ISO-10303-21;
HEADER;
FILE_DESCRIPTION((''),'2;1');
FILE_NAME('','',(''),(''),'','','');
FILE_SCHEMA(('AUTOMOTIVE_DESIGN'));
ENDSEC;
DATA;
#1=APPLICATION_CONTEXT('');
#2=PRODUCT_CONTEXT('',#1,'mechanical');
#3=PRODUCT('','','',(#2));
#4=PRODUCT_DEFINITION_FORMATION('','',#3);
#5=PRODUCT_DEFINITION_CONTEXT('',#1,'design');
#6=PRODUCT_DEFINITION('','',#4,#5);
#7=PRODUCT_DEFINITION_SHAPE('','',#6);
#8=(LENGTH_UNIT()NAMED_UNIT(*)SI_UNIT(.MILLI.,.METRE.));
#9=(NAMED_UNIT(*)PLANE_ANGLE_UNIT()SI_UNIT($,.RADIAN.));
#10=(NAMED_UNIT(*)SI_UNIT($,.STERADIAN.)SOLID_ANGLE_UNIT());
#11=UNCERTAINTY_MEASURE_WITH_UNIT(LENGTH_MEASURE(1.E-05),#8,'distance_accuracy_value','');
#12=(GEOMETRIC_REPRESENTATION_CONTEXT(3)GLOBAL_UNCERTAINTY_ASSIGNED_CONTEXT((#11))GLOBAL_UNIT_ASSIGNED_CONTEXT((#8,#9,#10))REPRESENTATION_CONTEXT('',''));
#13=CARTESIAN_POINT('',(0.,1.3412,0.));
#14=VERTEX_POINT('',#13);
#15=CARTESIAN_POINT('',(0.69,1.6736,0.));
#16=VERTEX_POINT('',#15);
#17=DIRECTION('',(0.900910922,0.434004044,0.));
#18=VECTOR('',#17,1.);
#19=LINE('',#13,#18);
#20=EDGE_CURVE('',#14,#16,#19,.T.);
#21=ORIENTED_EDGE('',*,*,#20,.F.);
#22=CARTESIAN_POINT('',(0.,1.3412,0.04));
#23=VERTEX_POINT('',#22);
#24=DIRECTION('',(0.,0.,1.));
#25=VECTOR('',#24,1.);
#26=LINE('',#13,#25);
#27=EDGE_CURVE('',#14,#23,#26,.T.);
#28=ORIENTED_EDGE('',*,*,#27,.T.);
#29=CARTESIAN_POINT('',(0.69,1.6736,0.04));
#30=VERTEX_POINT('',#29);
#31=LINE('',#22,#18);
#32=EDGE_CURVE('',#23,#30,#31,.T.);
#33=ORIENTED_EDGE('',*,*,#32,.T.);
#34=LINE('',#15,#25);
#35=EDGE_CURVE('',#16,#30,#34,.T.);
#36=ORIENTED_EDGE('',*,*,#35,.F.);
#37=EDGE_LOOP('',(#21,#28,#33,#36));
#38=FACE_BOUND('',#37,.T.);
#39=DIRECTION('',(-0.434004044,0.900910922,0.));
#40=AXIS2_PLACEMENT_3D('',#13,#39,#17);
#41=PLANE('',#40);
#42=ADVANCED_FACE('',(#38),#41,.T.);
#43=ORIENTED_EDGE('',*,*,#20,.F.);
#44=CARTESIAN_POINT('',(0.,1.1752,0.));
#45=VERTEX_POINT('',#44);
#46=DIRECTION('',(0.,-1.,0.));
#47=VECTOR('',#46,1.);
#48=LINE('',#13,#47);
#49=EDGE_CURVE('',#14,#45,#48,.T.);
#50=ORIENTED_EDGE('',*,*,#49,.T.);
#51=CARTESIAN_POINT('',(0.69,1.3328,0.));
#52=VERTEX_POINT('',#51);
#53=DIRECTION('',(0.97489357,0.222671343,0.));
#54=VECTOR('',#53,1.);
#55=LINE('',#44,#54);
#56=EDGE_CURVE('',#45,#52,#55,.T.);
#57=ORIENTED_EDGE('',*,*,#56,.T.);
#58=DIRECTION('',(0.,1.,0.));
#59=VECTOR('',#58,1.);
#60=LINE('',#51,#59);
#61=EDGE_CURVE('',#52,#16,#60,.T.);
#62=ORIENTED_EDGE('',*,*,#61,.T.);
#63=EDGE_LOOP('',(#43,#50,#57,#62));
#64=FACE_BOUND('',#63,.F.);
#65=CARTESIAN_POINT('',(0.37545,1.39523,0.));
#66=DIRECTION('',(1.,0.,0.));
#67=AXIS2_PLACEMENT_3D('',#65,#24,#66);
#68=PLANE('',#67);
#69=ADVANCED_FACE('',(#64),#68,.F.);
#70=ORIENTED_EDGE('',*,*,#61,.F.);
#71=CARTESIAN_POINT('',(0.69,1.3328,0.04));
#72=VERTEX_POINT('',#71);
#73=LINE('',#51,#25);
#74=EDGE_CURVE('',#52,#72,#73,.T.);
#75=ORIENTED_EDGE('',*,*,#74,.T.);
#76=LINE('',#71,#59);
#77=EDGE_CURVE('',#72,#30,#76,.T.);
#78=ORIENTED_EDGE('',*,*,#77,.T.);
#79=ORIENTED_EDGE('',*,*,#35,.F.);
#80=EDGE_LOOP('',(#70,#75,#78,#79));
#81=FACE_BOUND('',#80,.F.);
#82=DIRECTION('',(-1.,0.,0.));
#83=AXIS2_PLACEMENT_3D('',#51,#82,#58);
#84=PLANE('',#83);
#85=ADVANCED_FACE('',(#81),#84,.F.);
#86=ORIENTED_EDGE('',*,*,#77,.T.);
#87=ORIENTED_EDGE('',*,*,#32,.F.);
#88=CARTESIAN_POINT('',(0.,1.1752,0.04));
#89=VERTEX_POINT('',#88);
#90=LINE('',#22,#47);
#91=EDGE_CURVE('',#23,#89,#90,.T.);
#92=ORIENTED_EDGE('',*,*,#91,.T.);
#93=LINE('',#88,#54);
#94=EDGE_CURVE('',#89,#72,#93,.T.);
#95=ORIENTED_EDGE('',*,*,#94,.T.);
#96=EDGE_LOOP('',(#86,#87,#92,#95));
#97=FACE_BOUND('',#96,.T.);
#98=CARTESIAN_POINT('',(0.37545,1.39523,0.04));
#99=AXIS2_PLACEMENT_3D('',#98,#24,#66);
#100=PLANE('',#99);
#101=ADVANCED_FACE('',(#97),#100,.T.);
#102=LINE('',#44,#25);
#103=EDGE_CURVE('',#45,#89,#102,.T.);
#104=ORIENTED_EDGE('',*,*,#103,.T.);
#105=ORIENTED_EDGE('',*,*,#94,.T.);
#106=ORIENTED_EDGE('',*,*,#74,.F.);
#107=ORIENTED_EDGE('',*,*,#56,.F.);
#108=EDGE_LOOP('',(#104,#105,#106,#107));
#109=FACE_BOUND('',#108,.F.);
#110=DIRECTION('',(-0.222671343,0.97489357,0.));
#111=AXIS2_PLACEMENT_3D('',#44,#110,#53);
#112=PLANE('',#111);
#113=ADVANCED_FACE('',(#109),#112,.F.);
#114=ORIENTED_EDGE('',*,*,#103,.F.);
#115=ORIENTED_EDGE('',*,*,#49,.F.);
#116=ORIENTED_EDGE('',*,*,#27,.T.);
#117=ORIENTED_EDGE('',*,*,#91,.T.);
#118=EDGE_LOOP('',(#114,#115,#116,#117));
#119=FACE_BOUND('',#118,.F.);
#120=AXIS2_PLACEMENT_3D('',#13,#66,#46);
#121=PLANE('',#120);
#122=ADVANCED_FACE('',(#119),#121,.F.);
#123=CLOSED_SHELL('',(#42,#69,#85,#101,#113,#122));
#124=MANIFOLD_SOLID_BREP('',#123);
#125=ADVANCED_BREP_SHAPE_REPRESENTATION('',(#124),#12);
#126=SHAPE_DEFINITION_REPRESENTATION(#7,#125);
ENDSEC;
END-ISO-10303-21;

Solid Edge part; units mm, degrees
sketch "Sketch1" plane through (0, 0, 0) normal (0, 0, 1) x (1, 0, 0)
  line L0 (0, 1.1752) -> (0.69, 1.3328)
  line L1 (0.69, 1.3328) -> (0.69, 1.6736)
  line L2 (0, 1.3412) -> (0.69, 1.6736)
  line L3 (0, 1.3412) -> (0, 1.1752)
extrude "Protrusion1" add sketch "Sketch1" along normal blind 0.04
